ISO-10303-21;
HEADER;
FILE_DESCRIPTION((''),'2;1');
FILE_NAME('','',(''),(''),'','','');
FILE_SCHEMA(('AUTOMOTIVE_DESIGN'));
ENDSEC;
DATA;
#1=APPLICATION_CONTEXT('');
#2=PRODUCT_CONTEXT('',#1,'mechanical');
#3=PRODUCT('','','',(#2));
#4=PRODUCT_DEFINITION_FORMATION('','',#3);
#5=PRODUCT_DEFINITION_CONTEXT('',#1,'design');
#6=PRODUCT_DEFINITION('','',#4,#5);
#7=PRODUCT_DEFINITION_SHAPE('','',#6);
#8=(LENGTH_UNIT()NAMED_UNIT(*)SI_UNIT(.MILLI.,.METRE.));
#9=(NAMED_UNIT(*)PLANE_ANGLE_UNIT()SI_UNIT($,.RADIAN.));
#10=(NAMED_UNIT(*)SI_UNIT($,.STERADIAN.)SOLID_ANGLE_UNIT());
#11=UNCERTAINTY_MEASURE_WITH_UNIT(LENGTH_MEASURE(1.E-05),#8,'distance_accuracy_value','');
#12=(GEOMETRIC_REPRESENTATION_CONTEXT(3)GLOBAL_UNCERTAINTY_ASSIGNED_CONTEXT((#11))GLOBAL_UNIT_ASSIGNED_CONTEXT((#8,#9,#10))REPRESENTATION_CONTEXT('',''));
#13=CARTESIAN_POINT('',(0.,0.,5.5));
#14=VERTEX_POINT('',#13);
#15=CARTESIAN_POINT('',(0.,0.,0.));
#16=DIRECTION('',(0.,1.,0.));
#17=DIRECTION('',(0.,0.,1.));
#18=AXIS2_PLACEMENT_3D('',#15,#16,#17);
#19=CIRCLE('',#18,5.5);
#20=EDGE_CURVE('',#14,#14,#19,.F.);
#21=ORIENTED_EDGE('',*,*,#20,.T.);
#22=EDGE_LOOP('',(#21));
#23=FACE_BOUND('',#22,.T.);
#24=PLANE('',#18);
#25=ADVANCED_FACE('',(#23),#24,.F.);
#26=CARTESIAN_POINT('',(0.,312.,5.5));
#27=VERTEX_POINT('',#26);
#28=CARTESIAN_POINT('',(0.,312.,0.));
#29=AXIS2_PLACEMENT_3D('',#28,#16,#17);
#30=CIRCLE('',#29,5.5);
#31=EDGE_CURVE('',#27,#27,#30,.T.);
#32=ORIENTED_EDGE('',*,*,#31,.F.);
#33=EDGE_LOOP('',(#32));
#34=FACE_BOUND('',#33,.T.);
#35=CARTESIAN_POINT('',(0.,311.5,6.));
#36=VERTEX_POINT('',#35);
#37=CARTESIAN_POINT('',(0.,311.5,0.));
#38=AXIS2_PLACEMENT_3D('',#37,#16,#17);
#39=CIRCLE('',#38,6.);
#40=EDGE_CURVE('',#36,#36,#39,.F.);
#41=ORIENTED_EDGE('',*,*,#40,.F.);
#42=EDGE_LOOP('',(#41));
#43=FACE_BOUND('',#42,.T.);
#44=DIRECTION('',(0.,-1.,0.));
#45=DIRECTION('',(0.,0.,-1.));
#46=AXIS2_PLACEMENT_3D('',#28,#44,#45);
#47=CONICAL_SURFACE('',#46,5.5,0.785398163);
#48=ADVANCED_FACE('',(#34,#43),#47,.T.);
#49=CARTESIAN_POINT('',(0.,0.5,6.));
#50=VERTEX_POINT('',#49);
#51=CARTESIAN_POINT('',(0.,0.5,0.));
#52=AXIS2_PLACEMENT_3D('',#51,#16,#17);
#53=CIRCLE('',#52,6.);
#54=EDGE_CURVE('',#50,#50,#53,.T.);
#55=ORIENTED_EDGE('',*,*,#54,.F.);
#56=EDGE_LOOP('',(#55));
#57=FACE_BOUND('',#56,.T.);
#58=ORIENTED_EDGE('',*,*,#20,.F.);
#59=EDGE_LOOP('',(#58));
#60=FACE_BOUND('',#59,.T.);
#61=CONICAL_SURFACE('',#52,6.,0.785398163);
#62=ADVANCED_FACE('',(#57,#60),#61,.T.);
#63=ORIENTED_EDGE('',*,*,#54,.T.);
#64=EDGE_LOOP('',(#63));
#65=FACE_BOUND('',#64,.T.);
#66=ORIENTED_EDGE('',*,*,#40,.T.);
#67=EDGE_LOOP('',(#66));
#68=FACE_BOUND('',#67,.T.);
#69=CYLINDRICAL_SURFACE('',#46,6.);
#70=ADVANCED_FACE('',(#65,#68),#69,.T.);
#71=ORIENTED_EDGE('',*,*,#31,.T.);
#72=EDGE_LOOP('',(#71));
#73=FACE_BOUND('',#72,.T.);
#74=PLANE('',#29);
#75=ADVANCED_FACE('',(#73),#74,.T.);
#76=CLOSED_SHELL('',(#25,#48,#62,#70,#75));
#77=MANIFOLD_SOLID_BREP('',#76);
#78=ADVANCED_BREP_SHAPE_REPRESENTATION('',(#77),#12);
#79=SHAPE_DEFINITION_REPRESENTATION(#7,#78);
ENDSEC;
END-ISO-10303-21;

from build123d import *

# Parameters (mm, degrees)
CROQUIS1_R              = 6
SALIENTE_EXTRUIR1_DEPTH = 312
CHAFL_N1_SIZE           = 0.5


with BuildPart() as part:
    # Croquis1 → Saliente-Extruir1 (new body)
    with BuildSketch(Plane(origin=(0, 0, 0), x_dir=(1, 0, 0), z_dir=(0, 1, 0))):
        Circle(CROQUIS1_R)
    extrude(amount=SALIENTE_EXTRUIR1_DEPTH)

    # Chaflán1
    chafl_n1_edges = [part.edges().sort_by_distance(p)[0] for p in [
        (-6, 0, 0),
        (-6, 312, 0),
    ]]
    chamfer(chafl_n1_edges, length=CHAFL_N1_SIZE)


solid = part.part
